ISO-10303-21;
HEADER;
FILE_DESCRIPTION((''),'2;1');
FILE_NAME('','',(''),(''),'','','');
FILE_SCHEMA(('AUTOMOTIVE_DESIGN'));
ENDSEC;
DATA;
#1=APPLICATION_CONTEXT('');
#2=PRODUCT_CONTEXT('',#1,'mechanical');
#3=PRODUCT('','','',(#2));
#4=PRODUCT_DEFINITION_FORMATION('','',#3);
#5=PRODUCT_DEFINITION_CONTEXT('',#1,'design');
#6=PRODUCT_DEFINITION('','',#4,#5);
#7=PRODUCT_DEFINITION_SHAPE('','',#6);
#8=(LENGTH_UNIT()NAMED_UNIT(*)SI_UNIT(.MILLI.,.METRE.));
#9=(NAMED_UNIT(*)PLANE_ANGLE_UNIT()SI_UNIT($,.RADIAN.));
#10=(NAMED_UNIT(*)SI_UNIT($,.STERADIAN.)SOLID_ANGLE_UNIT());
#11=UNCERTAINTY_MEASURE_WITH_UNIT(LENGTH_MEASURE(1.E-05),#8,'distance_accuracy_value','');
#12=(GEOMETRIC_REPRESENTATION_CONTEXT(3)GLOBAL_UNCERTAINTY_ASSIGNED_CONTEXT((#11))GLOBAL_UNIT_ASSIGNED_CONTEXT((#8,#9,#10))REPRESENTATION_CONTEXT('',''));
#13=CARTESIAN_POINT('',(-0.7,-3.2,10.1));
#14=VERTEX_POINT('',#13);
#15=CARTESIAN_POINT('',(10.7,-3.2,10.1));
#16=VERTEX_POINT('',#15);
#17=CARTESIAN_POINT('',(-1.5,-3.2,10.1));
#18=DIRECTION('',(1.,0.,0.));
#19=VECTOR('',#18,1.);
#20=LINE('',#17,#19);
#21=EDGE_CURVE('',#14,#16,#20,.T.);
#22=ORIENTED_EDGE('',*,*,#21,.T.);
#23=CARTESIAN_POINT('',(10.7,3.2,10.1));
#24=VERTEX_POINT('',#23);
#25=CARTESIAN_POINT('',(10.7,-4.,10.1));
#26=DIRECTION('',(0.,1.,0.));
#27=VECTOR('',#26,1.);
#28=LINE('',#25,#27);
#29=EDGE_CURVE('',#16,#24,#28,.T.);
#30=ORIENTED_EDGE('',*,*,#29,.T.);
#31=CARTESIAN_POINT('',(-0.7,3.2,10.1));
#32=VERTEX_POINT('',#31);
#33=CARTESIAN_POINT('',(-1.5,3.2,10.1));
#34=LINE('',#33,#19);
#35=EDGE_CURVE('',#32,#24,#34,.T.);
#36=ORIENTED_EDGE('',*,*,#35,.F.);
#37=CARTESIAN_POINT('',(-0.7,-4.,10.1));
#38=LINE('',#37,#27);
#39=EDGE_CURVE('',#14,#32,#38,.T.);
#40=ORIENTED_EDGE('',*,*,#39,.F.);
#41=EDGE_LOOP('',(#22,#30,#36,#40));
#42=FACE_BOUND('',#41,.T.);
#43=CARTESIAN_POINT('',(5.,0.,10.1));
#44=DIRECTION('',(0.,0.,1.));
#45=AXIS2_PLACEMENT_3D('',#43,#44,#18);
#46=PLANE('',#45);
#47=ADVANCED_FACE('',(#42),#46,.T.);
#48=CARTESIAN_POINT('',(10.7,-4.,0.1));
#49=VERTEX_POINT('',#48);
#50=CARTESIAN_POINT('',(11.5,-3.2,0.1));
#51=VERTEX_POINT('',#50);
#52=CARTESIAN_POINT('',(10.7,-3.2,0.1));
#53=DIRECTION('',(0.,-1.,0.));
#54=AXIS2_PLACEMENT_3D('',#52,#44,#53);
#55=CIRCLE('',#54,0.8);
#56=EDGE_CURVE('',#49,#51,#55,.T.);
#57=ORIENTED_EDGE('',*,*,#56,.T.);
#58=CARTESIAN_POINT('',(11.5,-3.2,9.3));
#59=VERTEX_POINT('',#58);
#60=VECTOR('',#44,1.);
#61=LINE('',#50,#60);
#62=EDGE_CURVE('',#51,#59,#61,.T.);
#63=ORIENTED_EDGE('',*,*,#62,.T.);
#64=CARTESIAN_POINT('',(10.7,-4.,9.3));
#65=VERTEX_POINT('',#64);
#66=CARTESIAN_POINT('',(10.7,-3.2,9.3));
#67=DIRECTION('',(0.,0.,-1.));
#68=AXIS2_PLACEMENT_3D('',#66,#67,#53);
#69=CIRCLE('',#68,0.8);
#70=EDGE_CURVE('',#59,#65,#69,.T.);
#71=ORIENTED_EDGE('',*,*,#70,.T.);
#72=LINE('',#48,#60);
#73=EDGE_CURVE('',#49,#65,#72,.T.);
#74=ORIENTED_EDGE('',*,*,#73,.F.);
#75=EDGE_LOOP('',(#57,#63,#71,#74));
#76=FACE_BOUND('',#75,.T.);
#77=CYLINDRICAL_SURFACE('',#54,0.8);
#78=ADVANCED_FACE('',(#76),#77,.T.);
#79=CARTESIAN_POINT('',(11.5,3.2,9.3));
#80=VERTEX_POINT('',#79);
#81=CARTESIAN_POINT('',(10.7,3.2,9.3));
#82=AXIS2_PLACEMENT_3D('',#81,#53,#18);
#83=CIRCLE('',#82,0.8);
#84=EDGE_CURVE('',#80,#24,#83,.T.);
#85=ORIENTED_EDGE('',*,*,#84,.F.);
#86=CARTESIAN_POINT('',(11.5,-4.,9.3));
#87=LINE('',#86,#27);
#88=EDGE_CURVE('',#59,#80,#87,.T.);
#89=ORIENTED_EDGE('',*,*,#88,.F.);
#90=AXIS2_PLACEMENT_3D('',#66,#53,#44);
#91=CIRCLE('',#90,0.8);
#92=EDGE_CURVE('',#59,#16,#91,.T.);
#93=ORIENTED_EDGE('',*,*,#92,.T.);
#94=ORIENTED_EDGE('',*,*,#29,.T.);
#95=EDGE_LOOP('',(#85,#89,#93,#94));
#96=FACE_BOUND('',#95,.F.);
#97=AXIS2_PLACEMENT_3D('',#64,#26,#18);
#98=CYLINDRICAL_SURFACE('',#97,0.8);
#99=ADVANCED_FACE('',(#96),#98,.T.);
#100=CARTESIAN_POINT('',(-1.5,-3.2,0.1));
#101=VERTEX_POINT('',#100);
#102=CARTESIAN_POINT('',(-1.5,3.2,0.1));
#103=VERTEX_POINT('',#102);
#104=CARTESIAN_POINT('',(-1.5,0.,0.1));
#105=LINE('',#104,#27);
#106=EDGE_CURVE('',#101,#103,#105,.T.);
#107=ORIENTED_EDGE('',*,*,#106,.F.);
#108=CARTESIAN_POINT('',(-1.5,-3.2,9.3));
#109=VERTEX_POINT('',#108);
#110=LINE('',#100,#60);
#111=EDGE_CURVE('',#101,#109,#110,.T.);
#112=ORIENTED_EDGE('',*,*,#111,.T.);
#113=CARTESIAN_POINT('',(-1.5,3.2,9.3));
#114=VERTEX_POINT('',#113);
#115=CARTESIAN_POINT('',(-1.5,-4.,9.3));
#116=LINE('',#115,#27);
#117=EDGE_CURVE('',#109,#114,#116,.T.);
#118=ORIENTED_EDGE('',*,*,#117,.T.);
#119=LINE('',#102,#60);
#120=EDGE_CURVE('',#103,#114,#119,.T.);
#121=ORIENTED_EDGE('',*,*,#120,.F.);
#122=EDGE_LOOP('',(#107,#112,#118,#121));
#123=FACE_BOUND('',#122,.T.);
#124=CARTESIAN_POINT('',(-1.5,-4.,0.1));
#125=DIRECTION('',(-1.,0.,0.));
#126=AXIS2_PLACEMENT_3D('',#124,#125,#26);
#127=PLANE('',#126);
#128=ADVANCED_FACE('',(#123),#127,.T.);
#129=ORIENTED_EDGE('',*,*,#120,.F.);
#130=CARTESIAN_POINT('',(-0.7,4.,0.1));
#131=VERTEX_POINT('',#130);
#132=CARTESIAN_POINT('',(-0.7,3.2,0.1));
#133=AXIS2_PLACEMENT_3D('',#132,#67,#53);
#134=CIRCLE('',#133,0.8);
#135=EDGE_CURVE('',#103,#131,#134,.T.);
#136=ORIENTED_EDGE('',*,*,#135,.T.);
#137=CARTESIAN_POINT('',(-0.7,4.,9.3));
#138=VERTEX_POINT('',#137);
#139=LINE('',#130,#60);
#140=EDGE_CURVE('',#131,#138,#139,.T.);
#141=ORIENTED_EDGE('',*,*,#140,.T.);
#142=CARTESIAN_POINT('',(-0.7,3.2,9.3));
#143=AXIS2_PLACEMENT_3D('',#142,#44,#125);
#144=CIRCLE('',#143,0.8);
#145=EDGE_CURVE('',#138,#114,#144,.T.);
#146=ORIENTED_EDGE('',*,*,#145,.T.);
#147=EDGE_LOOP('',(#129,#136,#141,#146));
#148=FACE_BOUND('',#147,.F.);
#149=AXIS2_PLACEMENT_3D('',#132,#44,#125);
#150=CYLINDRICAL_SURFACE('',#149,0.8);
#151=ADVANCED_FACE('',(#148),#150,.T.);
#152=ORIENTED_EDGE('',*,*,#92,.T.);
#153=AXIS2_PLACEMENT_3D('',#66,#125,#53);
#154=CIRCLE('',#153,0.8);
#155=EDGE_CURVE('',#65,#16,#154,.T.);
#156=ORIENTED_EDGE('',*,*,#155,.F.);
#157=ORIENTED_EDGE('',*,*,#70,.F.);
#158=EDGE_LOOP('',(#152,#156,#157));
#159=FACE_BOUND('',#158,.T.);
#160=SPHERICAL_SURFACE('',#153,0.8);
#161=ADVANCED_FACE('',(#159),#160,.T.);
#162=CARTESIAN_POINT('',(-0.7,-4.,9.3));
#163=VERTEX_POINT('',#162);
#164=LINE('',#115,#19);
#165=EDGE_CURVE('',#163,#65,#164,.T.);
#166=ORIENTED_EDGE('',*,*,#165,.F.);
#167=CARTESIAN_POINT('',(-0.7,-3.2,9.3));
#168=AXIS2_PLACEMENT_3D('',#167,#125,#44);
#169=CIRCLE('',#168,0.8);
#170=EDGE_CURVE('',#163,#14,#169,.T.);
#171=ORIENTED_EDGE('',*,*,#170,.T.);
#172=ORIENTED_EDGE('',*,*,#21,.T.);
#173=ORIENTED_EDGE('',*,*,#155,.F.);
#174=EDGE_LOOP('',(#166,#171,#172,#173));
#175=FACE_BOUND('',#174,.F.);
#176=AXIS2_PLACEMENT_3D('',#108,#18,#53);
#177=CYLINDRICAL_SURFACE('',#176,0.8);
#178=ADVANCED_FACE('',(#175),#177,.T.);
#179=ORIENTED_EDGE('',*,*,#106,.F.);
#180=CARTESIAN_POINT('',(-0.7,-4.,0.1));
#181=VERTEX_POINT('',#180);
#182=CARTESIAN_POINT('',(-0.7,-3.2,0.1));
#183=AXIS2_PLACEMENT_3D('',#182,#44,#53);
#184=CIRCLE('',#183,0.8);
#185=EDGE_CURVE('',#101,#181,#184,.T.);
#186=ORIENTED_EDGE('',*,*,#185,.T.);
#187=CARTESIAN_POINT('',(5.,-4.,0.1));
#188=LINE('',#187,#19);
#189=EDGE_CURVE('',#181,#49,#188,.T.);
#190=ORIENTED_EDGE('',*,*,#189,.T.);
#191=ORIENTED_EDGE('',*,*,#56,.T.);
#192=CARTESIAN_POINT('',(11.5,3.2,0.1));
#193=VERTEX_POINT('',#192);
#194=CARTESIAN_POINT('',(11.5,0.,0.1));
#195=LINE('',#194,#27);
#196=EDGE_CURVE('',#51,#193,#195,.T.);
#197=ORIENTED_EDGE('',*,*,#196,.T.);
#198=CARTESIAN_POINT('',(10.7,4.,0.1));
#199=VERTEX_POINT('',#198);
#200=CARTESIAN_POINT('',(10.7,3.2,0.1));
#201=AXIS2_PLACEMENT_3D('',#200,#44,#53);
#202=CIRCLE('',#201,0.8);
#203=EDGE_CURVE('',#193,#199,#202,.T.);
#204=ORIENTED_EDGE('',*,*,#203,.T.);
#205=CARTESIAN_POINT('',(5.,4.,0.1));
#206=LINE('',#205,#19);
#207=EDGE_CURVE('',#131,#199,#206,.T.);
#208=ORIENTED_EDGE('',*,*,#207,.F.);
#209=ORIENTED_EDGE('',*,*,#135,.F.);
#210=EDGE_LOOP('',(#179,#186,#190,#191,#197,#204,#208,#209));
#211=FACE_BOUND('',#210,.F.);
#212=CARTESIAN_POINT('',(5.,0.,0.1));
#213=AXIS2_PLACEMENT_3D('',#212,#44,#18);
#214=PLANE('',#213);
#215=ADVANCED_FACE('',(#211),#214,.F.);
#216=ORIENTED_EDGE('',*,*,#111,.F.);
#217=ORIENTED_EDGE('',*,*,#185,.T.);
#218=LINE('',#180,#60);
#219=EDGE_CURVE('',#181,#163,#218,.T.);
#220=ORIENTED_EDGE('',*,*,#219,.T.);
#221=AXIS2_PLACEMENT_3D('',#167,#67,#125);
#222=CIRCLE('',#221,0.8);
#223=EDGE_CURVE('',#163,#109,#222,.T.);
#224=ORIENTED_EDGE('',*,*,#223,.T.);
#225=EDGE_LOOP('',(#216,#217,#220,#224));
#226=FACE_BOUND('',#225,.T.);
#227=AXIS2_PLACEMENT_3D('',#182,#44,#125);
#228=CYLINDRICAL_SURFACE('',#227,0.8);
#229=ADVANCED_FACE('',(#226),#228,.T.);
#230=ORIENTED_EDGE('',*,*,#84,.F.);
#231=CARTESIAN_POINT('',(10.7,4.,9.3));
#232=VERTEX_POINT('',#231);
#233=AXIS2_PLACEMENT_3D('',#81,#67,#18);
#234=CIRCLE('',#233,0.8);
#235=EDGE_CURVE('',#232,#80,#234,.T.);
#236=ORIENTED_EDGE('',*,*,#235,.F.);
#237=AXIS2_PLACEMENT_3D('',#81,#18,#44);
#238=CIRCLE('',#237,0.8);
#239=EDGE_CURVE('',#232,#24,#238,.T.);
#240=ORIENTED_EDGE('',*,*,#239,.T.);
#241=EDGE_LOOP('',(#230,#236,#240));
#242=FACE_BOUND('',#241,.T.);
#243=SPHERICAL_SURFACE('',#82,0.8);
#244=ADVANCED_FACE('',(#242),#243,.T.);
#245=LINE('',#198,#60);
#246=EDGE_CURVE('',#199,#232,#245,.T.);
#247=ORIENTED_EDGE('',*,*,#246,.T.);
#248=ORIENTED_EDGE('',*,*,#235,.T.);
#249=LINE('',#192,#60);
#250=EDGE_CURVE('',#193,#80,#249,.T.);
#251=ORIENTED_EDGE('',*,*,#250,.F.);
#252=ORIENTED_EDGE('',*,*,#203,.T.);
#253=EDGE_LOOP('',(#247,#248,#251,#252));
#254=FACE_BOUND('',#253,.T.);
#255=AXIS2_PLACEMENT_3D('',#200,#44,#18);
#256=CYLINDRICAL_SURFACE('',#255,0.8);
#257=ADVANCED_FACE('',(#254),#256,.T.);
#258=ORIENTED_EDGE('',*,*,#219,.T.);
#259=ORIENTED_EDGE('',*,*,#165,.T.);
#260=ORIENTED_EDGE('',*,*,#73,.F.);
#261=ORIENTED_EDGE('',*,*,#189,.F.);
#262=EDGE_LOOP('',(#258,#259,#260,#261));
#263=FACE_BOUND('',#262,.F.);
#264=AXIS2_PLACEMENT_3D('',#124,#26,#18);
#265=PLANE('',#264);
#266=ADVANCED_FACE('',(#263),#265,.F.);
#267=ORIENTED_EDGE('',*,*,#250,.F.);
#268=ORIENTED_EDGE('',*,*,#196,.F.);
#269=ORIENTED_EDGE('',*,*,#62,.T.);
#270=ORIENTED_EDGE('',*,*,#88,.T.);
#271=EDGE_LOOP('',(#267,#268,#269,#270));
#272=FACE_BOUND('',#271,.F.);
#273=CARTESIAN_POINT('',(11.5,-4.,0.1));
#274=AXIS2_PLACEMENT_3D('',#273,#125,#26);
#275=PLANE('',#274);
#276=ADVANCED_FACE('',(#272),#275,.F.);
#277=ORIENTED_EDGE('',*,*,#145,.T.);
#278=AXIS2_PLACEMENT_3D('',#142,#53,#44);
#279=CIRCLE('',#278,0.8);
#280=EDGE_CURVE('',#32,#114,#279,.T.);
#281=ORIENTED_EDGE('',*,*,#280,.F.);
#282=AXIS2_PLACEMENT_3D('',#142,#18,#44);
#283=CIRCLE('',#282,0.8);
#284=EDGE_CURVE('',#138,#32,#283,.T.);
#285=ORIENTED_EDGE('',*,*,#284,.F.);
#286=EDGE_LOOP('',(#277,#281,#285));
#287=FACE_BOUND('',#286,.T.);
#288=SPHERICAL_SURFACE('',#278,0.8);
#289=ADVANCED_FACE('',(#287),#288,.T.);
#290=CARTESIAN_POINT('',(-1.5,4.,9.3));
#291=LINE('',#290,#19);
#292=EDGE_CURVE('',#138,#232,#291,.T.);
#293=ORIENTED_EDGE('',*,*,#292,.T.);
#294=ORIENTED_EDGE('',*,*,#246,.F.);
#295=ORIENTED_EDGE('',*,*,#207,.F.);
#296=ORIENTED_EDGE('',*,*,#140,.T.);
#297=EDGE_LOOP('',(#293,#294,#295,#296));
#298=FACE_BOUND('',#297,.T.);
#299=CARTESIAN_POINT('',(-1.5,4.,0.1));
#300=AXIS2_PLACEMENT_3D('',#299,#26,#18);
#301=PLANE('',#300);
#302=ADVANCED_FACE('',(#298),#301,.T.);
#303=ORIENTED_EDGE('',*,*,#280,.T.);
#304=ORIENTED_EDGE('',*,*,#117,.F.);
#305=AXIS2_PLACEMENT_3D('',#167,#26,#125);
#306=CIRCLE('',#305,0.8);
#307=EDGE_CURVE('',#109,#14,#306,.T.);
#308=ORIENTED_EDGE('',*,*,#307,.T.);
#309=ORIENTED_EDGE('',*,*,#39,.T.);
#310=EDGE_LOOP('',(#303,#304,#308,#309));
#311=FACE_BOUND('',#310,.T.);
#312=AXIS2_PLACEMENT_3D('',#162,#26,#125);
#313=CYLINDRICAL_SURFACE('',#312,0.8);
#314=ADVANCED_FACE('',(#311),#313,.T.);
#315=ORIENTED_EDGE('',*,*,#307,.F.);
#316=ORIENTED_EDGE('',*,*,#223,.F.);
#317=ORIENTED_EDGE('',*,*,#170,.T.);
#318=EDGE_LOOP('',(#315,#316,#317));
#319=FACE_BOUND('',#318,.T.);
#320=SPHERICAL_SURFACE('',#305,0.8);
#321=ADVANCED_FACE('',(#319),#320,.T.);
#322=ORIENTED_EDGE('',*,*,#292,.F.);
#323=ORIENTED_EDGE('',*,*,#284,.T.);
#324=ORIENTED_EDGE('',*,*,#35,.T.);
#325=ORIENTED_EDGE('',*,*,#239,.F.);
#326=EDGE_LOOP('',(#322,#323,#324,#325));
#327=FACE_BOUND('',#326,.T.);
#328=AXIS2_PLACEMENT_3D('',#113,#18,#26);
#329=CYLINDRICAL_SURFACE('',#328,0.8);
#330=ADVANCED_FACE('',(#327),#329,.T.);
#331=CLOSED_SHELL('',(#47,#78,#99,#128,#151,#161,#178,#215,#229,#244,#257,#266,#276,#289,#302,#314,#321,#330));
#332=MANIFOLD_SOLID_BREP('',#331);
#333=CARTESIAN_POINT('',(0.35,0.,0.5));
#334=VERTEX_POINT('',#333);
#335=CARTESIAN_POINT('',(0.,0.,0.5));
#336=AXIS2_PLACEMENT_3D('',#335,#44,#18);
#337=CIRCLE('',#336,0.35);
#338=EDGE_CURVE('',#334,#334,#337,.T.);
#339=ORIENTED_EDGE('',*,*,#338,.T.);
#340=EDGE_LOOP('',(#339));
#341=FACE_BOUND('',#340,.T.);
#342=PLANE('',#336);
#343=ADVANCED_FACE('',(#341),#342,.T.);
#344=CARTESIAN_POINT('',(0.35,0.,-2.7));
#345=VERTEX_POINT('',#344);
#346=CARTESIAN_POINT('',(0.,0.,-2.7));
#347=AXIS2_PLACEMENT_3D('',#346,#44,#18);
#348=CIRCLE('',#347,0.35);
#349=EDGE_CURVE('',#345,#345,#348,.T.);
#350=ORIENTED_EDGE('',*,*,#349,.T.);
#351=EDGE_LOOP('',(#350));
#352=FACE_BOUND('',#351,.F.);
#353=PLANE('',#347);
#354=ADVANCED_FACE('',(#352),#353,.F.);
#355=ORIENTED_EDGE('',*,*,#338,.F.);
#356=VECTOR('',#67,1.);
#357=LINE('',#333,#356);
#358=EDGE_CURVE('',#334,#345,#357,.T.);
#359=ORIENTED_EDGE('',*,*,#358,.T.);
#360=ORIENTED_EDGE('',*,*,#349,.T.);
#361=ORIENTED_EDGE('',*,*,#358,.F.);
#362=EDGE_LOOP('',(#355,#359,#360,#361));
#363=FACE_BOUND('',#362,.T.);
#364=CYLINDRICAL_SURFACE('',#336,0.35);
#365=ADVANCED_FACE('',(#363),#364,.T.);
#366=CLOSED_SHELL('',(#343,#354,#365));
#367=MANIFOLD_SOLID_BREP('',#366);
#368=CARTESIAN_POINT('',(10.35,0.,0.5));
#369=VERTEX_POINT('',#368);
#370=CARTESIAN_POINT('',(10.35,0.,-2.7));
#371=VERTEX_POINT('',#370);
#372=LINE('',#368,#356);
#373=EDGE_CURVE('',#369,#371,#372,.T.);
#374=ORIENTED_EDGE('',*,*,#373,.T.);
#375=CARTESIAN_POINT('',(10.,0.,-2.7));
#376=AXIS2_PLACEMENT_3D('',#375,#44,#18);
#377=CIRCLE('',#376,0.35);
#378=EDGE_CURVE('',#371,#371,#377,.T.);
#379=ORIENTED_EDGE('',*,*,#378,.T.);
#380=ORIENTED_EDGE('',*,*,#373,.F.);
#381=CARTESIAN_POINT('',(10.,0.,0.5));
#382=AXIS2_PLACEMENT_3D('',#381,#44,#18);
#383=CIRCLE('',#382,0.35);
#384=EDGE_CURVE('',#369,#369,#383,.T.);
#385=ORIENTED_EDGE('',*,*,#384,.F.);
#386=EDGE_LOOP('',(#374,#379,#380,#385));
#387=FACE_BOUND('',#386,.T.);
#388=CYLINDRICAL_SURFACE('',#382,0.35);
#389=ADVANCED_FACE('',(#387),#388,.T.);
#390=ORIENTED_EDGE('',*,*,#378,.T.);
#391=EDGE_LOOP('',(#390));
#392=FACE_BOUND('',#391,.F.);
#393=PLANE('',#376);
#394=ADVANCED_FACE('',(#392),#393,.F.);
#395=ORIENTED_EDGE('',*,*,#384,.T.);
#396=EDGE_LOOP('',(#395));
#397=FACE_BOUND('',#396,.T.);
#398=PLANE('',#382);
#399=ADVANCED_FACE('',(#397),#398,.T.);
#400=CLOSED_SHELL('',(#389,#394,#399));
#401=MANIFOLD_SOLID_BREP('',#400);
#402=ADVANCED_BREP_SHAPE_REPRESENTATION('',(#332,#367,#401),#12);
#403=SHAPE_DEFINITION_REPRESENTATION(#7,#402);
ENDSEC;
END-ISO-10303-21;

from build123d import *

# Parameters (mm, degrees)
SKETCH_W     = 13
SKETCH_H     = 8
PAD_DEPTH    = 10
FILLET_R     = 0.8
SKETCH001_R  = 0.35
PAD001_DEPTH = 3.2


with BuildPart() as fillet_body:
    # Sketch → Pad (new body)
    with BuildSketch(Plane.XY.offset(0.1)):
        with Locations((5, 0)):
            Rectangle(SKETCH_W, SKETCH_H)
    extrude(amount=PAD_DEPTH)

    # Fillet
    fillet_edges = [fillet_body.edges().sort_by_distance(p)[0] for p in [
        (-1.5, 0, 10.1),
        (-1.5, -4, 5.1),
        (5, -4, 10.1),
        (11.5, -4, 5.1),
        (11.5, 0, 10.1),
        (11.5, 4, 5.1),
        (5, 4, 10.1),
        (-1.5, 4, 5.1),
    ]]
    fillet(fillet_edges, radius=FILLET_R)


with BuildPart() as pad001:
    # Sketch001 → Pad001 (new body)
    with BuildSketch(Plane.XY.offset(0.5)):
        Circle(SKETCH001_R)
        with Locations((10, 0)):
            Circle(SKETCH001_R)
    extrude(amount=-PAD001_DEPTH)


solid = Compound([fillet_body.part, pad001.part])
